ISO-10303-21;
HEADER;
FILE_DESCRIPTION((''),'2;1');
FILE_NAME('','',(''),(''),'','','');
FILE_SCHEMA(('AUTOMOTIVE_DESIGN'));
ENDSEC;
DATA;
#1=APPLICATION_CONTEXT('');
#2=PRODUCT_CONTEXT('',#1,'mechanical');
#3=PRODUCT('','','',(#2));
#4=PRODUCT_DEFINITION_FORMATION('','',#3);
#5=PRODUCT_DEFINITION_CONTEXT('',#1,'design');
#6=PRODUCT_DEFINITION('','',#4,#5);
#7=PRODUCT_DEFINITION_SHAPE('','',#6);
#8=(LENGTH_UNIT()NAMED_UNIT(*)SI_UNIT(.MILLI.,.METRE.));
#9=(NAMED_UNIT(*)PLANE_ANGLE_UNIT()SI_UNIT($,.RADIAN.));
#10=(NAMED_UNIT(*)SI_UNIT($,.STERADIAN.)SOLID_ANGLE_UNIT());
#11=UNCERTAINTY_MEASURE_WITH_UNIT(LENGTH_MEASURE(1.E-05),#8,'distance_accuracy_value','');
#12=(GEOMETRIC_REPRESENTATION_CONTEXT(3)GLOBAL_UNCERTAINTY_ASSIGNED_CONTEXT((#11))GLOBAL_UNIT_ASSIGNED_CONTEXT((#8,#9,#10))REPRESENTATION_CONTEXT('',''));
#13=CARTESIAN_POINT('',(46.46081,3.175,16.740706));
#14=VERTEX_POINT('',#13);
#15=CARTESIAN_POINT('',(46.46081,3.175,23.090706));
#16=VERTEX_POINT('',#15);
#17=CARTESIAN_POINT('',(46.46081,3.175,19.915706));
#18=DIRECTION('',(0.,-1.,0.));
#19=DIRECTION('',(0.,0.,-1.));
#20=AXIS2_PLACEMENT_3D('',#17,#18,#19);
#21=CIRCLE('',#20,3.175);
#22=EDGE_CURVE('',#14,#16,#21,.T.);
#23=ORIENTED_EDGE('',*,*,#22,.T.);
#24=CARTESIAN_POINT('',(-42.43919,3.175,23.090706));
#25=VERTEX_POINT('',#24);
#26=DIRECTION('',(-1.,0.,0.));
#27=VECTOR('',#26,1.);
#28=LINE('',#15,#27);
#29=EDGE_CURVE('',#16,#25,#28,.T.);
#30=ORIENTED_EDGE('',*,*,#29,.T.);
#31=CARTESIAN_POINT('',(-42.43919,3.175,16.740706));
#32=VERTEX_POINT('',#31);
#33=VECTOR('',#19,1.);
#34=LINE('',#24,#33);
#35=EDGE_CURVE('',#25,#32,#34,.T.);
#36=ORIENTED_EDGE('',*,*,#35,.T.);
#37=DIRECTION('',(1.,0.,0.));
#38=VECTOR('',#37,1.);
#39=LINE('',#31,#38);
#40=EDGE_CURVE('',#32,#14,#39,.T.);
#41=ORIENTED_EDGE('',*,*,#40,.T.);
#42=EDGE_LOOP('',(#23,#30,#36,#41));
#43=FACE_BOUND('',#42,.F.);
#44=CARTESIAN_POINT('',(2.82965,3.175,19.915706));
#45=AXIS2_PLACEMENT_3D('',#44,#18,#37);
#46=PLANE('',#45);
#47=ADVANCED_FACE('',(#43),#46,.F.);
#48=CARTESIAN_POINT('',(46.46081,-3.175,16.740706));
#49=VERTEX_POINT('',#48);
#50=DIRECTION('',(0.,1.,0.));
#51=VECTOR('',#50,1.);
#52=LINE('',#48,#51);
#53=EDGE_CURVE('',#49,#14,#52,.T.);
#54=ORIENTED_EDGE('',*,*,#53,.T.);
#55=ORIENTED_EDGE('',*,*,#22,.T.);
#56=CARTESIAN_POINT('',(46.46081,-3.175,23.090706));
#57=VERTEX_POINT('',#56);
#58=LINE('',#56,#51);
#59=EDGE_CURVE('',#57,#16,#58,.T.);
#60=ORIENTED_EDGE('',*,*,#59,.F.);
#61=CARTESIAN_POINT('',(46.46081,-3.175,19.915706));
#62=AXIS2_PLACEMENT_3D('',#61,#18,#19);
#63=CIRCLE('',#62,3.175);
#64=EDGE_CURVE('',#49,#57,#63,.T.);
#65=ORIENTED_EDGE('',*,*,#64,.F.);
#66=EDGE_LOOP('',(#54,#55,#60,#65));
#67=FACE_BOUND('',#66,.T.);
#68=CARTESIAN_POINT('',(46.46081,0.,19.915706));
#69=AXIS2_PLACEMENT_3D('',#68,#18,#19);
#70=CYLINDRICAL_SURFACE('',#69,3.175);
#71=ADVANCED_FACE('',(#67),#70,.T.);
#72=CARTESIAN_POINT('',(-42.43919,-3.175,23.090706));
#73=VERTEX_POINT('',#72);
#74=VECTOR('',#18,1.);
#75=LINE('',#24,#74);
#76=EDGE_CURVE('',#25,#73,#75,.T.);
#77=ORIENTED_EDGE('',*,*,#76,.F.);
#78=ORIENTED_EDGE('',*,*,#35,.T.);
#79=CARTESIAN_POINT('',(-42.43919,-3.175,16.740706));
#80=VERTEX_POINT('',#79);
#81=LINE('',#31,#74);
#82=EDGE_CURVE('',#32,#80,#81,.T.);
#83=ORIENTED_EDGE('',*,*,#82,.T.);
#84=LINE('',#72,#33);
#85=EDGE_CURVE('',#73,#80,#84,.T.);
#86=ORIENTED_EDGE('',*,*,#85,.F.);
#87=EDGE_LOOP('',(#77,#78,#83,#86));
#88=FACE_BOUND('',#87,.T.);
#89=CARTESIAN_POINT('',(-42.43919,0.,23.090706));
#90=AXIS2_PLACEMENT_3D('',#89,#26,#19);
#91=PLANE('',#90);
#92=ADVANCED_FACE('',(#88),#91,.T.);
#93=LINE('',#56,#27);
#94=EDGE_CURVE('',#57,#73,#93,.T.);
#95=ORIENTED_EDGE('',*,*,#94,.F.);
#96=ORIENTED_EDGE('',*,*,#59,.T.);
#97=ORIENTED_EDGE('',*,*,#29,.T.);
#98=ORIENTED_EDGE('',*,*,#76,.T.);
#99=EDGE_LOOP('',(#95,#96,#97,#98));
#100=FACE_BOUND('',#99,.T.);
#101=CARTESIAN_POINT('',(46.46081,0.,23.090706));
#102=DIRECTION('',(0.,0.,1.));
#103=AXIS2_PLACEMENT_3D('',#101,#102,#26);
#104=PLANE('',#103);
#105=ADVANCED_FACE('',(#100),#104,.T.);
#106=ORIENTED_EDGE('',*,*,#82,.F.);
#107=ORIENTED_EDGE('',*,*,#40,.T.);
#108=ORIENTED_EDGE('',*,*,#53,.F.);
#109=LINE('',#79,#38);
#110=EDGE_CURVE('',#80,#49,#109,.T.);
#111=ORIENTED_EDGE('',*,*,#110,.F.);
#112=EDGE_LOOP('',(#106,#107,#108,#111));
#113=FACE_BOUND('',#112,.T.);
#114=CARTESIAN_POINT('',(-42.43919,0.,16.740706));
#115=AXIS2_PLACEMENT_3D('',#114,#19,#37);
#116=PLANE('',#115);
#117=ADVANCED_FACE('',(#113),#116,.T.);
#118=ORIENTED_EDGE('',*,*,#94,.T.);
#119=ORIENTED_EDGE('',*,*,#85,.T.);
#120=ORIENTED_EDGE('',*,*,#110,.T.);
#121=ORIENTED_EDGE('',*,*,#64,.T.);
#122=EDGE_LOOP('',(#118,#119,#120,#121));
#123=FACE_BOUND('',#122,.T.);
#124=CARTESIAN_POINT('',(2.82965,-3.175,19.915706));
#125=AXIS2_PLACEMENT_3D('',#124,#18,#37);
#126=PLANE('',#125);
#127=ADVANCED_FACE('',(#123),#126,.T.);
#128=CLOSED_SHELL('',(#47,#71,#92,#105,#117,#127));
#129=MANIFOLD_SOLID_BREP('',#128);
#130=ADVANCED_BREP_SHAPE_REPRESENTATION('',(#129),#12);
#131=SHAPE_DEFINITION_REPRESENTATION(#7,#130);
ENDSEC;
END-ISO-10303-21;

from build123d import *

# Parameters (mm, degrees)
F1_DEPTH = 3.175


with BuildPart() as f1:
    # F0 (on Front) → F1 (new body, symmetric)
    with BuildSketch(Plane.XZ):
        with BuildLine():
            Line((46.46081, 23.090706), (-42.43919, 23.090706))
            Line((-42.43919, 23.090706), (-42.43919, 16.740706))
            Line((-42.43919, 16.740706), (46.46081, 16.740706))
            ThreePointArc((46.46081, 16.740706), (49.63581, 19.915706), (46.46081, 23.090706))
        make_face()
    extrude(amount=F1_DEPTH, both=True)


solid = f1.part
